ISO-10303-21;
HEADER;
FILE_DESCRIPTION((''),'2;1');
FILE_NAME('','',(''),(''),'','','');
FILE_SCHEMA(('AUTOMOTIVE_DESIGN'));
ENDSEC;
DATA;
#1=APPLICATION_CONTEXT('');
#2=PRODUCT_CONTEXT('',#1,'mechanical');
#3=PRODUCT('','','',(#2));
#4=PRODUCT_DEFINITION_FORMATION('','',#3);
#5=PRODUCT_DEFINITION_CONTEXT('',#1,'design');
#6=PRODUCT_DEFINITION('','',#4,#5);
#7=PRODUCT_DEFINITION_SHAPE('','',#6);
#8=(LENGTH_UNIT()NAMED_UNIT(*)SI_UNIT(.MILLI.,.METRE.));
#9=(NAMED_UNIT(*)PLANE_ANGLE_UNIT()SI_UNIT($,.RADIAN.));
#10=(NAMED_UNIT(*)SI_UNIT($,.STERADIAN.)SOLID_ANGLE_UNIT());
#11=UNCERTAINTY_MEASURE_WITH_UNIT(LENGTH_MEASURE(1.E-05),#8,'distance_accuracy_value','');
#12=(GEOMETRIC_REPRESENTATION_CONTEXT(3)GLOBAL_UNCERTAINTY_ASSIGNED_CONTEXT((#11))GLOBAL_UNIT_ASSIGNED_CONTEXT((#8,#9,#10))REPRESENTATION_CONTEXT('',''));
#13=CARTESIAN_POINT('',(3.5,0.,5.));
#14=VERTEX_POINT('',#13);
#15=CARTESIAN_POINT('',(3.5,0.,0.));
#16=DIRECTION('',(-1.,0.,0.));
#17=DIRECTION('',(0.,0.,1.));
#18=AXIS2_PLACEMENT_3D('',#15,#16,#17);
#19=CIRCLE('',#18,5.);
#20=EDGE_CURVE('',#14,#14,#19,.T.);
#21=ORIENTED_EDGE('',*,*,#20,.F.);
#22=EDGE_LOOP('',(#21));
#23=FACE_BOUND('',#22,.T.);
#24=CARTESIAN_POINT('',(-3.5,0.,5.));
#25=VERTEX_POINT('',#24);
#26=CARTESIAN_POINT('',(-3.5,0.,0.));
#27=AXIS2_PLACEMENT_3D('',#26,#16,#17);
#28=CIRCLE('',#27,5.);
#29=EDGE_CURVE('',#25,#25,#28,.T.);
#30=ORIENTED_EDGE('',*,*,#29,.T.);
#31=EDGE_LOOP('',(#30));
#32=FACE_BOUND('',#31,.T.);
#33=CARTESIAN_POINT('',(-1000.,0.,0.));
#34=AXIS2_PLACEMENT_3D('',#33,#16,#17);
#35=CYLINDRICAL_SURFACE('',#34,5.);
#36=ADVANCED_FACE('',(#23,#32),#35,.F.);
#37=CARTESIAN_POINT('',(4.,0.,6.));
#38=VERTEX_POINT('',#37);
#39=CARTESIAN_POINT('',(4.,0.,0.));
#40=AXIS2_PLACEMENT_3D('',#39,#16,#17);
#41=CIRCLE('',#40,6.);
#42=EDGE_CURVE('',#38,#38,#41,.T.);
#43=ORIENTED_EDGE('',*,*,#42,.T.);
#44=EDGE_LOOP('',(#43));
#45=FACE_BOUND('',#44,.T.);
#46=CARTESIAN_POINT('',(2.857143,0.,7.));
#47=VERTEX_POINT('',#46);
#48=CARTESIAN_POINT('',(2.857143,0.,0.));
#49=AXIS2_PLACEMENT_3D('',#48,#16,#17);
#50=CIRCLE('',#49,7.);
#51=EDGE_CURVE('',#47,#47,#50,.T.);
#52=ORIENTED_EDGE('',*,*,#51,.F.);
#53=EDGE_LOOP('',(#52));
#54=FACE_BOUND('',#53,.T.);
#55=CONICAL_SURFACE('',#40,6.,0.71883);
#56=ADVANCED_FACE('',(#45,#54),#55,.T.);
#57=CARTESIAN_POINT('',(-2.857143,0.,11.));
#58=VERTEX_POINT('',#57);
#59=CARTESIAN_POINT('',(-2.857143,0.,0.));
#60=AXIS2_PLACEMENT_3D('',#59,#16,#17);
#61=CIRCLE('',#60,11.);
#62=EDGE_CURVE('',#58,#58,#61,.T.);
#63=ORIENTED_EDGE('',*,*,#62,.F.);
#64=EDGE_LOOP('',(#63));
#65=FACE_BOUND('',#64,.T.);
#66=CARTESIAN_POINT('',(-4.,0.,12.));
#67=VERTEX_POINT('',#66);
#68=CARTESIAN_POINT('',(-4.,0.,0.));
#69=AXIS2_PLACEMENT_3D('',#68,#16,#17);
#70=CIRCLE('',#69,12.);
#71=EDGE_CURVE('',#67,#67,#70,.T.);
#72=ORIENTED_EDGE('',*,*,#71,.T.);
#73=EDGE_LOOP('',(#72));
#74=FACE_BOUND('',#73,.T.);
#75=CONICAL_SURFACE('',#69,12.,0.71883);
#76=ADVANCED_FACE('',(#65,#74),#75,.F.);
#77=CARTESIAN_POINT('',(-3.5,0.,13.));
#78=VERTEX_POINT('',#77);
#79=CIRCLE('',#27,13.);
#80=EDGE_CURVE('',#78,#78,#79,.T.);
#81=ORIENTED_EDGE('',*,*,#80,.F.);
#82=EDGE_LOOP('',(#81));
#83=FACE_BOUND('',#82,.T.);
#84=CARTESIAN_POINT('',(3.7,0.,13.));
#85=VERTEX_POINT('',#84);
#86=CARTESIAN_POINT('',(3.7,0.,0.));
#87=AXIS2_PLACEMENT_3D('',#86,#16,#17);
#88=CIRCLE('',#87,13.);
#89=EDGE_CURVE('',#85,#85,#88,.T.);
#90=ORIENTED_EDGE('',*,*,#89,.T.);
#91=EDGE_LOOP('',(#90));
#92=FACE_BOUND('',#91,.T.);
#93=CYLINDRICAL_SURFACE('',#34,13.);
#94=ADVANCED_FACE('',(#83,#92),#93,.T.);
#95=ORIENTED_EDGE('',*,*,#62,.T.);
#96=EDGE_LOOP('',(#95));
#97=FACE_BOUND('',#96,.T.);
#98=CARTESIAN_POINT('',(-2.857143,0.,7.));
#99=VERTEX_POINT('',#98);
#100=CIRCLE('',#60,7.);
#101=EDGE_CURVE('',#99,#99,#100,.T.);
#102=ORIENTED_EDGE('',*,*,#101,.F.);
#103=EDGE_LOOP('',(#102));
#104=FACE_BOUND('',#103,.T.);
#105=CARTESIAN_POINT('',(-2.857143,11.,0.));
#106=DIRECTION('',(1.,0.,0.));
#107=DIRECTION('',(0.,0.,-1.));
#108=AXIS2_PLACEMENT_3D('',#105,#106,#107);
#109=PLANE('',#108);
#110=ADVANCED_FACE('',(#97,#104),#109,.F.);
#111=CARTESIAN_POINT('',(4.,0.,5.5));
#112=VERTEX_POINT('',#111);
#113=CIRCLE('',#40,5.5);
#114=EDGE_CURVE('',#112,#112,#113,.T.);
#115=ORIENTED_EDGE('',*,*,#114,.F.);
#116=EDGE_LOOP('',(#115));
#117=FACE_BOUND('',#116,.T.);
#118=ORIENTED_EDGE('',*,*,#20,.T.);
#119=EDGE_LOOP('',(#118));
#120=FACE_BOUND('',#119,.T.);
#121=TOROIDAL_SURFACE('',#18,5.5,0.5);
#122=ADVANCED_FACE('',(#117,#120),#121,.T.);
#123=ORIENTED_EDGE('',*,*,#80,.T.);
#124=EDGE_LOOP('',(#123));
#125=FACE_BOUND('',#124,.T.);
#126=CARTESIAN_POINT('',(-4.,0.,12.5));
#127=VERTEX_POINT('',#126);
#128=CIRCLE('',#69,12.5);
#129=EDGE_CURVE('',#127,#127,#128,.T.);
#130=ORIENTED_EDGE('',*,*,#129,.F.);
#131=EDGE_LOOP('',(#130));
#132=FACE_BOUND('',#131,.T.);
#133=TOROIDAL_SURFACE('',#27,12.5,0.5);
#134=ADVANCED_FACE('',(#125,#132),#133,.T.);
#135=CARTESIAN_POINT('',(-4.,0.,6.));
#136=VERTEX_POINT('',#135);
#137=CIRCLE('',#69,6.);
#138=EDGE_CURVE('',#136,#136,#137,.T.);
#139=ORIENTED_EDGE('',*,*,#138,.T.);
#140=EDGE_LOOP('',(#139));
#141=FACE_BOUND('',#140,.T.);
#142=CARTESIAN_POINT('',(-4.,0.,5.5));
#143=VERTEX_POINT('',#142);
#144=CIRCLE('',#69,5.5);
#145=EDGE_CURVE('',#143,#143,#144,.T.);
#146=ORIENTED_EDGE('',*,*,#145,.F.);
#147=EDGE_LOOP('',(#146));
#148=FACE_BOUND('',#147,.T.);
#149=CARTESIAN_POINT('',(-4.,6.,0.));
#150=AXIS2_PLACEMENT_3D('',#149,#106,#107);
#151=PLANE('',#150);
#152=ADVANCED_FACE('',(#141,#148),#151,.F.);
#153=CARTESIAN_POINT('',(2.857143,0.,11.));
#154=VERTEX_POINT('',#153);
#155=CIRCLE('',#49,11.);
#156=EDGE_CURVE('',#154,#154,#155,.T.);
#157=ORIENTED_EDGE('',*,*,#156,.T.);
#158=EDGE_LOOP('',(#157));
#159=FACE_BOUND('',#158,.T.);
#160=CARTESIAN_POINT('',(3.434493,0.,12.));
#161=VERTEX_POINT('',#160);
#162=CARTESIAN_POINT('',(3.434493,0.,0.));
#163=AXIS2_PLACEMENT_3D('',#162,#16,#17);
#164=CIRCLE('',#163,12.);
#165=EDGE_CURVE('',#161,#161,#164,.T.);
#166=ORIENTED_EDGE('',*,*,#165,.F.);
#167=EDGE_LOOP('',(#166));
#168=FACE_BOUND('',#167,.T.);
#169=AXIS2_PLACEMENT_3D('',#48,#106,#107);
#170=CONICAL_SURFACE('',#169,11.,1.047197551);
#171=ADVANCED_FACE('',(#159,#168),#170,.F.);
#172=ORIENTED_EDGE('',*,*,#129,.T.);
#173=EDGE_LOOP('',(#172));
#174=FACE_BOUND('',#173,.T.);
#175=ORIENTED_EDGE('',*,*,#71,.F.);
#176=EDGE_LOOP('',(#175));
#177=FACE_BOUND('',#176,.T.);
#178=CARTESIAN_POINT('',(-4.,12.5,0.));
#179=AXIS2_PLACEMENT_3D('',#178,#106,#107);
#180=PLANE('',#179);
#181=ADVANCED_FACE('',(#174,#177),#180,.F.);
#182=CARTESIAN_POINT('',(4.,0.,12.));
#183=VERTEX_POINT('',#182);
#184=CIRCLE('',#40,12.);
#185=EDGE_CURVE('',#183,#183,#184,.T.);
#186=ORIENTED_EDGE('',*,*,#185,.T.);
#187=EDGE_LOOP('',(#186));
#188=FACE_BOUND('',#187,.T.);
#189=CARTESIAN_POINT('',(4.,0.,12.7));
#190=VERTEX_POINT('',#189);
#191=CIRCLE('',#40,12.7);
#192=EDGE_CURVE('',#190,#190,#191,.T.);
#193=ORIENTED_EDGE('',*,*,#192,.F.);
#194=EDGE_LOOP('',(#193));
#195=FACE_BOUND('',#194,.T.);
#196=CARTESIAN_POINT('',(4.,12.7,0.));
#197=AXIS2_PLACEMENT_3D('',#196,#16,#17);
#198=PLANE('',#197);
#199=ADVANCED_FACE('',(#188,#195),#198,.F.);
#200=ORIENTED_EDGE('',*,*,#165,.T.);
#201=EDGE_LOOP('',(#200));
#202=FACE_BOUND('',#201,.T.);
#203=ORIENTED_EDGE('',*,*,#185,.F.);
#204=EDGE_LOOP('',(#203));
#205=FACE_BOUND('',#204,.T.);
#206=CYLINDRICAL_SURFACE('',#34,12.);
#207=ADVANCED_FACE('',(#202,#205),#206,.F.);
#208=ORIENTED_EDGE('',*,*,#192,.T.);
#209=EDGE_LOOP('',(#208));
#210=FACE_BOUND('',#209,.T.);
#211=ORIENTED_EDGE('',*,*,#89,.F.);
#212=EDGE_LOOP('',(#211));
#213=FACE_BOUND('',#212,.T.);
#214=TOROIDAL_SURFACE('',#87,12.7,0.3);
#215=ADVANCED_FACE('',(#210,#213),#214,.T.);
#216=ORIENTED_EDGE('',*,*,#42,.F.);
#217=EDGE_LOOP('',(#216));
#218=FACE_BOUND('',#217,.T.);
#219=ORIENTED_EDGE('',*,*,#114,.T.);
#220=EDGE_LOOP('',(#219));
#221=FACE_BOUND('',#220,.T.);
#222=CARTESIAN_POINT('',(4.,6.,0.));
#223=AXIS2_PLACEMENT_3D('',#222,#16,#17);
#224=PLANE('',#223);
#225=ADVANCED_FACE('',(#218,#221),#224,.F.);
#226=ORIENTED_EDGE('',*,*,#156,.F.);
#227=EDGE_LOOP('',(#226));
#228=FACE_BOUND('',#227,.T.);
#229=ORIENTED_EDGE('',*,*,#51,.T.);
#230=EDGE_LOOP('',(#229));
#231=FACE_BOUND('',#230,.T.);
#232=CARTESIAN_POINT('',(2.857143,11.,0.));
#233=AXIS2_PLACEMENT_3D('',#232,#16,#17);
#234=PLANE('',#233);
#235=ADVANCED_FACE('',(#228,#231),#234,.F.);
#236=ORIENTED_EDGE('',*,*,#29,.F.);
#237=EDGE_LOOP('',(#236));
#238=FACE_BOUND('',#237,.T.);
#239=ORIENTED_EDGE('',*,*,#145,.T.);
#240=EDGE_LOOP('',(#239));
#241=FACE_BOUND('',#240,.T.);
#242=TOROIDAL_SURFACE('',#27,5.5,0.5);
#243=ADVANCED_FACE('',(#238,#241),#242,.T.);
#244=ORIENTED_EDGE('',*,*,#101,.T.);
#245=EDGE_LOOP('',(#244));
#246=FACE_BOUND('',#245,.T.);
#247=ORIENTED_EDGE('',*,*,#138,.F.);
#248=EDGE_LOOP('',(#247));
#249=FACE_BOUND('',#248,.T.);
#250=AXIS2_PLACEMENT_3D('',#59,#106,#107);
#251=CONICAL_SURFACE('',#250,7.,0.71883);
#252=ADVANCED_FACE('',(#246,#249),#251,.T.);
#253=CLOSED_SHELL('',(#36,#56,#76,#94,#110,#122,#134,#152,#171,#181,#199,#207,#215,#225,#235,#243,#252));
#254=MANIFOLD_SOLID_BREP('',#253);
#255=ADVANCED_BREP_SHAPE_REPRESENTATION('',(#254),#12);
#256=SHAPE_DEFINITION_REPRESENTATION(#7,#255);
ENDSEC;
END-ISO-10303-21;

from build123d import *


with BuildPart() as part:
    # Эскиз1 → Повернуть1 (revolve)
    with BuildSketch(Plane.XY):
        with BuildLine():
            Line((-3.5, 13), (3.7, 13))
            ThreePointArc((3.7, 13), (3.912132034, 12.912132034), (4, 12.7))
            Line((4, 12.7), (4, 12))
            Line((4, 12), (3.434493126, 12))
            Line((3.434493126, 12), (2.857142857, 11))
            Line((2.857142857, 11), (2.857142857, 7))
            Line((2.857142857, 7), (4, 6))
            Line((4, 6), (4, 5.5))
            ThreePointArc((4, 5.5), (3.853553391, 5.146446609), (3.5, 5))
            Line((3.5, 5), (-3.5, 5))
            ThreePointArc((-3.5, 5), (-3.853553391, 5.146446609), (-4, 5.5))
            Line((-4, 5.5), (-4, 6))
            Line((-4, 6), (-2.857142857, 7))
            Line((-2.857142857, 7), (-2.857142857, 11))
            Line((-2.857142857, 11), (-4, 12))
            Line((-4, 12), (-4, 12.5))
            ThreePointArc((-4, 12.5), (-3.853553391, 12.853553391), (-3.5, 13))
        make_face()
    revolve(axis=Axis((-1000, 0, 0), (1, 0, 0)))


solid = part.part
